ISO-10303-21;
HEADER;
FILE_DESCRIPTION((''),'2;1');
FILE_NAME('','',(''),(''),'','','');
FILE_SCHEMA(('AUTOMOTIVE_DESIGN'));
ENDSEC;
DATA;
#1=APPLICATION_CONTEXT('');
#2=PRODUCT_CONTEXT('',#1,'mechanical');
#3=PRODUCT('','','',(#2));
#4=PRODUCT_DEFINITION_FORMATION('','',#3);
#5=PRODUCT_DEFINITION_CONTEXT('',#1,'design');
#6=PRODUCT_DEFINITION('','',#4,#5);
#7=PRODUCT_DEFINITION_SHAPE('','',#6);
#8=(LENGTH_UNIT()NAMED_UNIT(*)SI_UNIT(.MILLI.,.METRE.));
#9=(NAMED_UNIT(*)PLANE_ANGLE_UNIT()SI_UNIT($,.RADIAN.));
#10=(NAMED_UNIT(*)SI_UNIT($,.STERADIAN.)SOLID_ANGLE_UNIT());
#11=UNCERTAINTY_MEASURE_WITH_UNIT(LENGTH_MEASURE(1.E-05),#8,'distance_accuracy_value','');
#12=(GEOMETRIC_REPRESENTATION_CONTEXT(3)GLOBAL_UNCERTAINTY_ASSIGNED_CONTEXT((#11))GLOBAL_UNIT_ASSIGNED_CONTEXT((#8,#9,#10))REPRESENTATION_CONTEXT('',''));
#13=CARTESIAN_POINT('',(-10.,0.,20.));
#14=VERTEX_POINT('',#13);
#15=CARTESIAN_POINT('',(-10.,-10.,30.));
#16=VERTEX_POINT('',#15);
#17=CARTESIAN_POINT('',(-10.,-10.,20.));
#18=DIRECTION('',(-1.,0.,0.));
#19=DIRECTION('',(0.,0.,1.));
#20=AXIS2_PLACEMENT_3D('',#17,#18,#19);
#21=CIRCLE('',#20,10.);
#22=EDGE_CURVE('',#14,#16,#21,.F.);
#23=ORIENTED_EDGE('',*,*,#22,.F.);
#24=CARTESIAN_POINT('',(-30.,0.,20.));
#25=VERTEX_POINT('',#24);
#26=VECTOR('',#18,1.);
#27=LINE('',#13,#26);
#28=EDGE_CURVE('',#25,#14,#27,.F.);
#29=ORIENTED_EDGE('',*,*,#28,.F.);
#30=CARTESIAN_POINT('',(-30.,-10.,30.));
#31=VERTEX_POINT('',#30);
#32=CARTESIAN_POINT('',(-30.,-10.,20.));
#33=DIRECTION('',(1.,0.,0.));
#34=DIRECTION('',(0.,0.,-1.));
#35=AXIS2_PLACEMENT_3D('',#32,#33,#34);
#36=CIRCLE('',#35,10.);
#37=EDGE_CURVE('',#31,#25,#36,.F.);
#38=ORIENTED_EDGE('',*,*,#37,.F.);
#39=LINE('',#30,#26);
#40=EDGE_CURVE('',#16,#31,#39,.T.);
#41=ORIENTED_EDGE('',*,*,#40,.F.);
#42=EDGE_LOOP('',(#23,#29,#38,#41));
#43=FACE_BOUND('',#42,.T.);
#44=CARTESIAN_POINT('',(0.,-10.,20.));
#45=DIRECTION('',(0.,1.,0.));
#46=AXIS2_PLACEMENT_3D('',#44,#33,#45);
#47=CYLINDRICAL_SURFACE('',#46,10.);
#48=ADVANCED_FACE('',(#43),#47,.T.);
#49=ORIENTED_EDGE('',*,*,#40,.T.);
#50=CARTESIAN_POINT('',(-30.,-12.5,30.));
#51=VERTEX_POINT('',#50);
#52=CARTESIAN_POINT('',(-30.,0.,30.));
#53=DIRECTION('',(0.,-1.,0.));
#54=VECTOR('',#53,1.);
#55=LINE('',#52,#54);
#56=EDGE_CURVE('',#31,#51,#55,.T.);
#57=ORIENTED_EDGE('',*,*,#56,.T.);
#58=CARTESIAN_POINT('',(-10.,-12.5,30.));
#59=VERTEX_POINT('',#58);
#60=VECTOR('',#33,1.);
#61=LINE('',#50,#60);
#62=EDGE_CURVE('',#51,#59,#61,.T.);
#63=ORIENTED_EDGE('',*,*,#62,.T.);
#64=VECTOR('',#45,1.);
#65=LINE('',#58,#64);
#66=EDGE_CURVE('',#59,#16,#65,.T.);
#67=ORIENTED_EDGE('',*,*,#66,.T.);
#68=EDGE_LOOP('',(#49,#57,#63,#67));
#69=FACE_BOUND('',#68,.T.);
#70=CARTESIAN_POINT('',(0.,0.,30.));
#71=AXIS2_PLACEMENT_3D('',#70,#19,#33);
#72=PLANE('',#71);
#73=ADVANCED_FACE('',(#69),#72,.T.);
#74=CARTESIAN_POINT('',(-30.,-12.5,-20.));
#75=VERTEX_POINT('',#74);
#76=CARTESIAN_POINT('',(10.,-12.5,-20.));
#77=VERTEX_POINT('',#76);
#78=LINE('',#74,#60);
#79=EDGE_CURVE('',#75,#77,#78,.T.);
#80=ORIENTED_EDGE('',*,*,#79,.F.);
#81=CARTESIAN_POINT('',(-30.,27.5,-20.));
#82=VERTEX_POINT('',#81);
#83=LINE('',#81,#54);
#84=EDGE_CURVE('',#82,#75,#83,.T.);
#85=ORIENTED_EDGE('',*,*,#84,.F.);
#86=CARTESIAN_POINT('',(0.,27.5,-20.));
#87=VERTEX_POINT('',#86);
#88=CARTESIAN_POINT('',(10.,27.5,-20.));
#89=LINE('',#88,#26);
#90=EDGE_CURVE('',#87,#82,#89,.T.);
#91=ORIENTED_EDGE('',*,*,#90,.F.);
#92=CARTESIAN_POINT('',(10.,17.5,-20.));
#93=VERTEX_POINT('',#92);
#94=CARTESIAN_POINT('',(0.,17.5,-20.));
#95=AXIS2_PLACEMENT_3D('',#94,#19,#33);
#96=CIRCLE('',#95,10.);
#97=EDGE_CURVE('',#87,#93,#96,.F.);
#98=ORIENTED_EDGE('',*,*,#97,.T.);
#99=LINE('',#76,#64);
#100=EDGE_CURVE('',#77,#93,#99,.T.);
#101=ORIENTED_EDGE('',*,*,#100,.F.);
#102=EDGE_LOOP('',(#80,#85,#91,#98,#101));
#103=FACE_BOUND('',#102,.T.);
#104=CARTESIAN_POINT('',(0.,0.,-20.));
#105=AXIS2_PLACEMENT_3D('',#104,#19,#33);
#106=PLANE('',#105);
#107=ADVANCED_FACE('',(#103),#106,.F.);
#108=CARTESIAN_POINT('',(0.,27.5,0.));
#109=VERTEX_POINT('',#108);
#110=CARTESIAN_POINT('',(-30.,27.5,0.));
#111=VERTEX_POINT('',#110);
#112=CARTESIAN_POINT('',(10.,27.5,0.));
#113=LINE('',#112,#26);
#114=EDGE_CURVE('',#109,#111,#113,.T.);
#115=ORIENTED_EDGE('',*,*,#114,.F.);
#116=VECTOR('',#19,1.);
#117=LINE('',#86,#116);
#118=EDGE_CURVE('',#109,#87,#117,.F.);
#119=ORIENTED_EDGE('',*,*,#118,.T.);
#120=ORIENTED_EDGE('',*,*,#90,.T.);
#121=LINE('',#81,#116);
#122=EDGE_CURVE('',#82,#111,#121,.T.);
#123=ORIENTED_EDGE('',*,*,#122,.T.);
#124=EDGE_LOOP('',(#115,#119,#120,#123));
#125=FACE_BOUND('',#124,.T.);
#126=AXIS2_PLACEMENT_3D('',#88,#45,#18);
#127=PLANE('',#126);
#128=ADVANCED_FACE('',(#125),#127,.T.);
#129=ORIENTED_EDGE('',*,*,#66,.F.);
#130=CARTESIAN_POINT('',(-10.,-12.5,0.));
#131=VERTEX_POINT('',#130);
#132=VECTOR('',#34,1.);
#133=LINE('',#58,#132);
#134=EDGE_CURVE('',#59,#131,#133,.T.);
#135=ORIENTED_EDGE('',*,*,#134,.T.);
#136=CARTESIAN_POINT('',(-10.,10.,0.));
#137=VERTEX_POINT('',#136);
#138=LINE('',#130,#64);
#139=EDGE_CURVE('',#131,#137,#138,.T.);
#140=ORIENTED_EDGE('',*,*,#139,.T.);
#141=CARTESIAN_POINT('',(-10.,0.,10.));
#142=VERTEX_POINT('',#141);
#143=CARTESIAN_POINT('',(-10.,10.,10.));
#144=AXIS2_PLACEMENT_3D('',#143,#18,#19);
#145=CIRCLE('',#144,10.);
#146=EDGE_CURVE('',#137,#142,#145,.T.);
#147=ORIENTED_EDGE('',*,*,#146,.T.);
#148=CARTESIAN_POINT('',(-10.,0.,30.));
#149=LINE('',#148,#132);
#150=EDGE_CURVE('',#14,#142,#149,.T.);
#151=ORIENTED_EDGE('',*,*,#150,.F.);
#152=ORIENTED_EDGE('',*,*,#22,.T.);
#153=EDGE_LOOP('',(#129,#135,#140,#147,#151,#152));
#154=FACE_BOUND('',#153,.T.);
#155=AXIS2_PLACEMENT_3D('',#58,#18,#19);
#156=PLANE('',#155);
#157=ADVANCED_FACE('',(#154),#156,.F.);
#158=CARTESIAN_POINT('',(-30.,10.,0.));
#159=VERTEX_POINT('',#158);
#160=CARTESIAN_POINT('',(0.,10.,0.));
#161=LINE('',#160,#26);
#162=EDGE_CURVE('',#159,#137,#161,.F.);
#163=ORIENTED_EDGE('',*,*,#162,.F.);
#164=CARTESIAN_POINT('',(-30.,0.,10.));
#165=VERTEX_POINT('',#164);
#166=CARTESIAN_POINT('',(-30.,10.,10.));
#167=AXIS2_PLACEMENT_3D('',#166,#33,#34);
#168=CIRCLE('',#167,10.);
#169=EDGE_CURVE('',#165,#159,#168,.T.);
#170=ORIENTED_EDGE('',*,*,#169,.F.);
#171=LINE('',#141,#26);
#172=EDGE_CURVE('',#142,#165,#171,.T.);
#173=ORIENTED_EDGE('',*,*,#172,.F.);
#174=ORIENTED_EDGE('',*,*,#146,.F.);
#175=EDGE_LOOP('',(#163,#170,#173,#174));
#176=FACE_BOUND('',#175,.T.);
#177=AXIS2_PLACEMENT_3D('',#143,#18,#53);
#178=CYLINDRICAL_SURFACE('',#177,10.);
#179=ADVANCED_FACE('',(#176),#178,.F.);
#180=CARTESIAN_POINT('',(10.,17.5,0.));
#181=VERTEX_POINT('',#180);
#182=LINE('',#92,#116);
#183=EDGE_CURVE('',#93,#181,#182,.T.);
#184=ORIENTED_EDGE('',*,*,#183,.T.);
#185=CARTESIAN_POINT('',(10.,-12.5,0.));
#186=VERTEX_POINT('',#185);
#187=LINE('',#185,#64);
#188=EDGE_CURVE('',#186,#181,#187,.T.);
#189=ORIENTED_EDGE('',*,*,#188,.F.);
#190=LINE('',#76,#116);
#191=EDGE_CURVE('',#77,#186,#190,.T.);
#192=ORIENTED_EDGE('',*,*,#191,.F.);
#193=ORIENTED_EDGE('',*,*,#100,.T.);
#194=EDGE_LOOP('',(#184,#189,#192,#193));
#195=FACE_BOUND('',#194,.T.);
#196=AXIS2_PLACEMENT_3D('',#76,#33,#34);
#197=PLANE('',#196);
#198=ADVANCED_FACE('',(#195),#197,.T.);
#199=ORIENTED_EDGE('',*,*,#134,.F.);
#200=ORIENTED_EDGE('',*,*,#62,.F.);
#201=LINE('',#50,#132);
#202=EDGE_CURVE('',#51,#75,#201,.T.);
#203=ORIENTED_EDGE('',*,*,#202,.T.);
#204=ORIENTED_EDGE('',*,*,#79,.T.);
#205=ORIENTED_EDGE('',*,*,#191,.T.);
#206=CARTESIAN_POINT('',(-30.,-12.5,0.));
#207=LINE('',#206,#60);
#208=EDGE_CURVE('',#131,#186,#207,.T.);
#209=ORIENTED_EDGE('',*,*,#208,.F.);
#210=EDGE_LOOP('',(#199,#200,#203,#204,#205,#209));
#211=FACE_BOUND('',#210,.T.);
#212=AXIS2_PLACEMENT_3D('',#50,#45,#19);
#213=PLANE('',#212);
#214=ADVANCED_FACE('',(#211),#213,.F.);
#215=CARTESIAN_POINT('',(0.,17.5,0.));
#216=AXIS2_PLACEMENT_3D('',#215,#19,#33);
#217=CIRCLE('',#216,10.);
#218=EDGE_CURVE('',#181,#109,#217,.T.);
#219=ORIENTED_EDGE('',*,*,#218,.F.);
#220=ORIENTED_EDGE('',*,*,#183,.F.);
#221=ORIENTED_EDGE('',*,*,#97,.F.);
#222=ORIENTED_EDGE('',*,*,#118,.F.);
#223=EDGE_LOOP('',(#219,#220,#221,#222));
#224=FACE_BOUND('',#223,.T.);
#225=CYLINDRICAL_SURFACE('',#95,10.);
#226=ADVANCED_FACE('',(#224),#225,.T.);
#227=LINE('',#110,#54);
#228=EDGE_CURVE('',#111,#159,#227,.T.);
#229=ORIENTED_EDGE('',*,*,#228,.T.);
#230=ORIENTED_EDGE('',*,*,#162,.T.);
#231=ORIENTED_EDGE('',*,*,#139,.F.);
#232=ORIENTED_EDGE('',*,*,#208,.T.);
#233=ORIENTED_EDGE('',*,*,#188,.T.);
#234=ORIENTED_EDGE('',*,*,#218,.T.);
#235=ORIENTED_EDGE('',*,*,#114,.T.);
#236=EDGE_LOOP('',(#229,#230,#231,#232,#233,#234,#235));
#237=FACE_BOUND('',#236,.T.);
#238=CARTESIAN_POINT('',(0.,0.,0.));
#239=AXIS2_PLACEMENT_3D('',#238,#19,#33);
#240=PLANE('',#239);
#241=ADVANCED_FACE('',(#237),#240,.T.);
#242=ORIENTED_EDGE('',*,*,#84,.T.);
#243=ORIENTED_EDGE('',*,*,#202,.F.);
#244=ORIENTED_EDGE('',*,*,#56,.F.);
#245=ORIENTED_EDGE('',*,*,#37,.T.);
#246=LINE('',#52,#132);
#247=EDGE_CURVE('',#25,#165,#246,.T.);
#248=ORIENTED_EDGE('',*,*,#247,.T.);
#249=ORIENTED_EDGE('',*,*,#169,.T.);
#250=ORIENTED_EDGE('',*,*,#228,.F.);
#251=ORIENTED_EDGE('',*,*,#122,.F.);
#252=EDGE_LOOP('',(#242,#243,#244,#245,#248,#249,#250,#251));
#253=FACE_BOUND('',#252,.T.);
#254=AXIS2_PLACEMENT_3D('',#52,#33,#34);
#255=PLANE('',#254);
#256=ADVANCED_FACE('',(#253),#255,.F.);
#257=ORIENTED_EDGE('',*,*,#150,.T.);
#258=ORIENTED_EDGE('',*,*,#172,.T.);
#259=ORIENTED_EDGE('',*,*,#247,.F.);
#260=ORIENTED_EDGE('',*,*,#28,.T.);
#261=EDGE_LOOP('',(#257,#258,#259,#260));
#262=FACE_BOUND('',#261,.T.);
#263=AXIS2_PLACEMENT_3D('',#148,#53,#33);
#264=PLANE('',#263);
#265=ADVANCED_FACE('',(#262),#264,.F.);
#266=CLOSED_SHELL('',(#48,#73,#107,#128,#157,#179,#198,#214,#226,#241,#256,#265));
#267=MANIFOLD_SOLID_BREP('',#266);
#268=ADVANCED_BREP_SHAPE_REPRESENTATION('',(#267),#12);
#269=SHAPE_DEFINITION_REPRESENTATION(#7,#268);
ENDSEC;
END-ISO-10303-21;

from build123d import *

# Parameters (mm, degrees)
SKETCH1_W           = 20
SKETCH1_H           = 12.5
BOSS_EXTRUDE1_DEPTH = 30
SKETCH2_W           = 40
SKETCH2_H           = 40
BOSS_EXTRUDE2_DEPTH = 20
FILLET1_R           = 10


with BuildPart() as part:
    # Sketch1 → Boss-Extrude1 (new body)
    with BuildSketch(Plane.XY):
        with Locations((-20, -6.25)):
            Rectangle(SKETCH1_W, SKETCH1_H)
    extrude(amount=BOSS_EXTRUDE1_DEPTH)

    # Sketch2 → Boss-Extrude2 (add)
    with BuildSketch(Plane.XY):
        with Locations((-10, 7.5)):
            Rectangle(SKETCH2_W, SKETCH2_H)
    extrude(amount=-BOSS_EXTRUDE2_DEPTH)

    # Fillet1
    fillet1_edges = [part.edges().sort_by_distance(p)[0] for p in [
        (10, 27.5, -10),
        (-20, 0, 30),
        (-20, 0, 0),
    ]]
    fillet(fillet1_edges, radius=FILLET1_R)


solid = part.part
